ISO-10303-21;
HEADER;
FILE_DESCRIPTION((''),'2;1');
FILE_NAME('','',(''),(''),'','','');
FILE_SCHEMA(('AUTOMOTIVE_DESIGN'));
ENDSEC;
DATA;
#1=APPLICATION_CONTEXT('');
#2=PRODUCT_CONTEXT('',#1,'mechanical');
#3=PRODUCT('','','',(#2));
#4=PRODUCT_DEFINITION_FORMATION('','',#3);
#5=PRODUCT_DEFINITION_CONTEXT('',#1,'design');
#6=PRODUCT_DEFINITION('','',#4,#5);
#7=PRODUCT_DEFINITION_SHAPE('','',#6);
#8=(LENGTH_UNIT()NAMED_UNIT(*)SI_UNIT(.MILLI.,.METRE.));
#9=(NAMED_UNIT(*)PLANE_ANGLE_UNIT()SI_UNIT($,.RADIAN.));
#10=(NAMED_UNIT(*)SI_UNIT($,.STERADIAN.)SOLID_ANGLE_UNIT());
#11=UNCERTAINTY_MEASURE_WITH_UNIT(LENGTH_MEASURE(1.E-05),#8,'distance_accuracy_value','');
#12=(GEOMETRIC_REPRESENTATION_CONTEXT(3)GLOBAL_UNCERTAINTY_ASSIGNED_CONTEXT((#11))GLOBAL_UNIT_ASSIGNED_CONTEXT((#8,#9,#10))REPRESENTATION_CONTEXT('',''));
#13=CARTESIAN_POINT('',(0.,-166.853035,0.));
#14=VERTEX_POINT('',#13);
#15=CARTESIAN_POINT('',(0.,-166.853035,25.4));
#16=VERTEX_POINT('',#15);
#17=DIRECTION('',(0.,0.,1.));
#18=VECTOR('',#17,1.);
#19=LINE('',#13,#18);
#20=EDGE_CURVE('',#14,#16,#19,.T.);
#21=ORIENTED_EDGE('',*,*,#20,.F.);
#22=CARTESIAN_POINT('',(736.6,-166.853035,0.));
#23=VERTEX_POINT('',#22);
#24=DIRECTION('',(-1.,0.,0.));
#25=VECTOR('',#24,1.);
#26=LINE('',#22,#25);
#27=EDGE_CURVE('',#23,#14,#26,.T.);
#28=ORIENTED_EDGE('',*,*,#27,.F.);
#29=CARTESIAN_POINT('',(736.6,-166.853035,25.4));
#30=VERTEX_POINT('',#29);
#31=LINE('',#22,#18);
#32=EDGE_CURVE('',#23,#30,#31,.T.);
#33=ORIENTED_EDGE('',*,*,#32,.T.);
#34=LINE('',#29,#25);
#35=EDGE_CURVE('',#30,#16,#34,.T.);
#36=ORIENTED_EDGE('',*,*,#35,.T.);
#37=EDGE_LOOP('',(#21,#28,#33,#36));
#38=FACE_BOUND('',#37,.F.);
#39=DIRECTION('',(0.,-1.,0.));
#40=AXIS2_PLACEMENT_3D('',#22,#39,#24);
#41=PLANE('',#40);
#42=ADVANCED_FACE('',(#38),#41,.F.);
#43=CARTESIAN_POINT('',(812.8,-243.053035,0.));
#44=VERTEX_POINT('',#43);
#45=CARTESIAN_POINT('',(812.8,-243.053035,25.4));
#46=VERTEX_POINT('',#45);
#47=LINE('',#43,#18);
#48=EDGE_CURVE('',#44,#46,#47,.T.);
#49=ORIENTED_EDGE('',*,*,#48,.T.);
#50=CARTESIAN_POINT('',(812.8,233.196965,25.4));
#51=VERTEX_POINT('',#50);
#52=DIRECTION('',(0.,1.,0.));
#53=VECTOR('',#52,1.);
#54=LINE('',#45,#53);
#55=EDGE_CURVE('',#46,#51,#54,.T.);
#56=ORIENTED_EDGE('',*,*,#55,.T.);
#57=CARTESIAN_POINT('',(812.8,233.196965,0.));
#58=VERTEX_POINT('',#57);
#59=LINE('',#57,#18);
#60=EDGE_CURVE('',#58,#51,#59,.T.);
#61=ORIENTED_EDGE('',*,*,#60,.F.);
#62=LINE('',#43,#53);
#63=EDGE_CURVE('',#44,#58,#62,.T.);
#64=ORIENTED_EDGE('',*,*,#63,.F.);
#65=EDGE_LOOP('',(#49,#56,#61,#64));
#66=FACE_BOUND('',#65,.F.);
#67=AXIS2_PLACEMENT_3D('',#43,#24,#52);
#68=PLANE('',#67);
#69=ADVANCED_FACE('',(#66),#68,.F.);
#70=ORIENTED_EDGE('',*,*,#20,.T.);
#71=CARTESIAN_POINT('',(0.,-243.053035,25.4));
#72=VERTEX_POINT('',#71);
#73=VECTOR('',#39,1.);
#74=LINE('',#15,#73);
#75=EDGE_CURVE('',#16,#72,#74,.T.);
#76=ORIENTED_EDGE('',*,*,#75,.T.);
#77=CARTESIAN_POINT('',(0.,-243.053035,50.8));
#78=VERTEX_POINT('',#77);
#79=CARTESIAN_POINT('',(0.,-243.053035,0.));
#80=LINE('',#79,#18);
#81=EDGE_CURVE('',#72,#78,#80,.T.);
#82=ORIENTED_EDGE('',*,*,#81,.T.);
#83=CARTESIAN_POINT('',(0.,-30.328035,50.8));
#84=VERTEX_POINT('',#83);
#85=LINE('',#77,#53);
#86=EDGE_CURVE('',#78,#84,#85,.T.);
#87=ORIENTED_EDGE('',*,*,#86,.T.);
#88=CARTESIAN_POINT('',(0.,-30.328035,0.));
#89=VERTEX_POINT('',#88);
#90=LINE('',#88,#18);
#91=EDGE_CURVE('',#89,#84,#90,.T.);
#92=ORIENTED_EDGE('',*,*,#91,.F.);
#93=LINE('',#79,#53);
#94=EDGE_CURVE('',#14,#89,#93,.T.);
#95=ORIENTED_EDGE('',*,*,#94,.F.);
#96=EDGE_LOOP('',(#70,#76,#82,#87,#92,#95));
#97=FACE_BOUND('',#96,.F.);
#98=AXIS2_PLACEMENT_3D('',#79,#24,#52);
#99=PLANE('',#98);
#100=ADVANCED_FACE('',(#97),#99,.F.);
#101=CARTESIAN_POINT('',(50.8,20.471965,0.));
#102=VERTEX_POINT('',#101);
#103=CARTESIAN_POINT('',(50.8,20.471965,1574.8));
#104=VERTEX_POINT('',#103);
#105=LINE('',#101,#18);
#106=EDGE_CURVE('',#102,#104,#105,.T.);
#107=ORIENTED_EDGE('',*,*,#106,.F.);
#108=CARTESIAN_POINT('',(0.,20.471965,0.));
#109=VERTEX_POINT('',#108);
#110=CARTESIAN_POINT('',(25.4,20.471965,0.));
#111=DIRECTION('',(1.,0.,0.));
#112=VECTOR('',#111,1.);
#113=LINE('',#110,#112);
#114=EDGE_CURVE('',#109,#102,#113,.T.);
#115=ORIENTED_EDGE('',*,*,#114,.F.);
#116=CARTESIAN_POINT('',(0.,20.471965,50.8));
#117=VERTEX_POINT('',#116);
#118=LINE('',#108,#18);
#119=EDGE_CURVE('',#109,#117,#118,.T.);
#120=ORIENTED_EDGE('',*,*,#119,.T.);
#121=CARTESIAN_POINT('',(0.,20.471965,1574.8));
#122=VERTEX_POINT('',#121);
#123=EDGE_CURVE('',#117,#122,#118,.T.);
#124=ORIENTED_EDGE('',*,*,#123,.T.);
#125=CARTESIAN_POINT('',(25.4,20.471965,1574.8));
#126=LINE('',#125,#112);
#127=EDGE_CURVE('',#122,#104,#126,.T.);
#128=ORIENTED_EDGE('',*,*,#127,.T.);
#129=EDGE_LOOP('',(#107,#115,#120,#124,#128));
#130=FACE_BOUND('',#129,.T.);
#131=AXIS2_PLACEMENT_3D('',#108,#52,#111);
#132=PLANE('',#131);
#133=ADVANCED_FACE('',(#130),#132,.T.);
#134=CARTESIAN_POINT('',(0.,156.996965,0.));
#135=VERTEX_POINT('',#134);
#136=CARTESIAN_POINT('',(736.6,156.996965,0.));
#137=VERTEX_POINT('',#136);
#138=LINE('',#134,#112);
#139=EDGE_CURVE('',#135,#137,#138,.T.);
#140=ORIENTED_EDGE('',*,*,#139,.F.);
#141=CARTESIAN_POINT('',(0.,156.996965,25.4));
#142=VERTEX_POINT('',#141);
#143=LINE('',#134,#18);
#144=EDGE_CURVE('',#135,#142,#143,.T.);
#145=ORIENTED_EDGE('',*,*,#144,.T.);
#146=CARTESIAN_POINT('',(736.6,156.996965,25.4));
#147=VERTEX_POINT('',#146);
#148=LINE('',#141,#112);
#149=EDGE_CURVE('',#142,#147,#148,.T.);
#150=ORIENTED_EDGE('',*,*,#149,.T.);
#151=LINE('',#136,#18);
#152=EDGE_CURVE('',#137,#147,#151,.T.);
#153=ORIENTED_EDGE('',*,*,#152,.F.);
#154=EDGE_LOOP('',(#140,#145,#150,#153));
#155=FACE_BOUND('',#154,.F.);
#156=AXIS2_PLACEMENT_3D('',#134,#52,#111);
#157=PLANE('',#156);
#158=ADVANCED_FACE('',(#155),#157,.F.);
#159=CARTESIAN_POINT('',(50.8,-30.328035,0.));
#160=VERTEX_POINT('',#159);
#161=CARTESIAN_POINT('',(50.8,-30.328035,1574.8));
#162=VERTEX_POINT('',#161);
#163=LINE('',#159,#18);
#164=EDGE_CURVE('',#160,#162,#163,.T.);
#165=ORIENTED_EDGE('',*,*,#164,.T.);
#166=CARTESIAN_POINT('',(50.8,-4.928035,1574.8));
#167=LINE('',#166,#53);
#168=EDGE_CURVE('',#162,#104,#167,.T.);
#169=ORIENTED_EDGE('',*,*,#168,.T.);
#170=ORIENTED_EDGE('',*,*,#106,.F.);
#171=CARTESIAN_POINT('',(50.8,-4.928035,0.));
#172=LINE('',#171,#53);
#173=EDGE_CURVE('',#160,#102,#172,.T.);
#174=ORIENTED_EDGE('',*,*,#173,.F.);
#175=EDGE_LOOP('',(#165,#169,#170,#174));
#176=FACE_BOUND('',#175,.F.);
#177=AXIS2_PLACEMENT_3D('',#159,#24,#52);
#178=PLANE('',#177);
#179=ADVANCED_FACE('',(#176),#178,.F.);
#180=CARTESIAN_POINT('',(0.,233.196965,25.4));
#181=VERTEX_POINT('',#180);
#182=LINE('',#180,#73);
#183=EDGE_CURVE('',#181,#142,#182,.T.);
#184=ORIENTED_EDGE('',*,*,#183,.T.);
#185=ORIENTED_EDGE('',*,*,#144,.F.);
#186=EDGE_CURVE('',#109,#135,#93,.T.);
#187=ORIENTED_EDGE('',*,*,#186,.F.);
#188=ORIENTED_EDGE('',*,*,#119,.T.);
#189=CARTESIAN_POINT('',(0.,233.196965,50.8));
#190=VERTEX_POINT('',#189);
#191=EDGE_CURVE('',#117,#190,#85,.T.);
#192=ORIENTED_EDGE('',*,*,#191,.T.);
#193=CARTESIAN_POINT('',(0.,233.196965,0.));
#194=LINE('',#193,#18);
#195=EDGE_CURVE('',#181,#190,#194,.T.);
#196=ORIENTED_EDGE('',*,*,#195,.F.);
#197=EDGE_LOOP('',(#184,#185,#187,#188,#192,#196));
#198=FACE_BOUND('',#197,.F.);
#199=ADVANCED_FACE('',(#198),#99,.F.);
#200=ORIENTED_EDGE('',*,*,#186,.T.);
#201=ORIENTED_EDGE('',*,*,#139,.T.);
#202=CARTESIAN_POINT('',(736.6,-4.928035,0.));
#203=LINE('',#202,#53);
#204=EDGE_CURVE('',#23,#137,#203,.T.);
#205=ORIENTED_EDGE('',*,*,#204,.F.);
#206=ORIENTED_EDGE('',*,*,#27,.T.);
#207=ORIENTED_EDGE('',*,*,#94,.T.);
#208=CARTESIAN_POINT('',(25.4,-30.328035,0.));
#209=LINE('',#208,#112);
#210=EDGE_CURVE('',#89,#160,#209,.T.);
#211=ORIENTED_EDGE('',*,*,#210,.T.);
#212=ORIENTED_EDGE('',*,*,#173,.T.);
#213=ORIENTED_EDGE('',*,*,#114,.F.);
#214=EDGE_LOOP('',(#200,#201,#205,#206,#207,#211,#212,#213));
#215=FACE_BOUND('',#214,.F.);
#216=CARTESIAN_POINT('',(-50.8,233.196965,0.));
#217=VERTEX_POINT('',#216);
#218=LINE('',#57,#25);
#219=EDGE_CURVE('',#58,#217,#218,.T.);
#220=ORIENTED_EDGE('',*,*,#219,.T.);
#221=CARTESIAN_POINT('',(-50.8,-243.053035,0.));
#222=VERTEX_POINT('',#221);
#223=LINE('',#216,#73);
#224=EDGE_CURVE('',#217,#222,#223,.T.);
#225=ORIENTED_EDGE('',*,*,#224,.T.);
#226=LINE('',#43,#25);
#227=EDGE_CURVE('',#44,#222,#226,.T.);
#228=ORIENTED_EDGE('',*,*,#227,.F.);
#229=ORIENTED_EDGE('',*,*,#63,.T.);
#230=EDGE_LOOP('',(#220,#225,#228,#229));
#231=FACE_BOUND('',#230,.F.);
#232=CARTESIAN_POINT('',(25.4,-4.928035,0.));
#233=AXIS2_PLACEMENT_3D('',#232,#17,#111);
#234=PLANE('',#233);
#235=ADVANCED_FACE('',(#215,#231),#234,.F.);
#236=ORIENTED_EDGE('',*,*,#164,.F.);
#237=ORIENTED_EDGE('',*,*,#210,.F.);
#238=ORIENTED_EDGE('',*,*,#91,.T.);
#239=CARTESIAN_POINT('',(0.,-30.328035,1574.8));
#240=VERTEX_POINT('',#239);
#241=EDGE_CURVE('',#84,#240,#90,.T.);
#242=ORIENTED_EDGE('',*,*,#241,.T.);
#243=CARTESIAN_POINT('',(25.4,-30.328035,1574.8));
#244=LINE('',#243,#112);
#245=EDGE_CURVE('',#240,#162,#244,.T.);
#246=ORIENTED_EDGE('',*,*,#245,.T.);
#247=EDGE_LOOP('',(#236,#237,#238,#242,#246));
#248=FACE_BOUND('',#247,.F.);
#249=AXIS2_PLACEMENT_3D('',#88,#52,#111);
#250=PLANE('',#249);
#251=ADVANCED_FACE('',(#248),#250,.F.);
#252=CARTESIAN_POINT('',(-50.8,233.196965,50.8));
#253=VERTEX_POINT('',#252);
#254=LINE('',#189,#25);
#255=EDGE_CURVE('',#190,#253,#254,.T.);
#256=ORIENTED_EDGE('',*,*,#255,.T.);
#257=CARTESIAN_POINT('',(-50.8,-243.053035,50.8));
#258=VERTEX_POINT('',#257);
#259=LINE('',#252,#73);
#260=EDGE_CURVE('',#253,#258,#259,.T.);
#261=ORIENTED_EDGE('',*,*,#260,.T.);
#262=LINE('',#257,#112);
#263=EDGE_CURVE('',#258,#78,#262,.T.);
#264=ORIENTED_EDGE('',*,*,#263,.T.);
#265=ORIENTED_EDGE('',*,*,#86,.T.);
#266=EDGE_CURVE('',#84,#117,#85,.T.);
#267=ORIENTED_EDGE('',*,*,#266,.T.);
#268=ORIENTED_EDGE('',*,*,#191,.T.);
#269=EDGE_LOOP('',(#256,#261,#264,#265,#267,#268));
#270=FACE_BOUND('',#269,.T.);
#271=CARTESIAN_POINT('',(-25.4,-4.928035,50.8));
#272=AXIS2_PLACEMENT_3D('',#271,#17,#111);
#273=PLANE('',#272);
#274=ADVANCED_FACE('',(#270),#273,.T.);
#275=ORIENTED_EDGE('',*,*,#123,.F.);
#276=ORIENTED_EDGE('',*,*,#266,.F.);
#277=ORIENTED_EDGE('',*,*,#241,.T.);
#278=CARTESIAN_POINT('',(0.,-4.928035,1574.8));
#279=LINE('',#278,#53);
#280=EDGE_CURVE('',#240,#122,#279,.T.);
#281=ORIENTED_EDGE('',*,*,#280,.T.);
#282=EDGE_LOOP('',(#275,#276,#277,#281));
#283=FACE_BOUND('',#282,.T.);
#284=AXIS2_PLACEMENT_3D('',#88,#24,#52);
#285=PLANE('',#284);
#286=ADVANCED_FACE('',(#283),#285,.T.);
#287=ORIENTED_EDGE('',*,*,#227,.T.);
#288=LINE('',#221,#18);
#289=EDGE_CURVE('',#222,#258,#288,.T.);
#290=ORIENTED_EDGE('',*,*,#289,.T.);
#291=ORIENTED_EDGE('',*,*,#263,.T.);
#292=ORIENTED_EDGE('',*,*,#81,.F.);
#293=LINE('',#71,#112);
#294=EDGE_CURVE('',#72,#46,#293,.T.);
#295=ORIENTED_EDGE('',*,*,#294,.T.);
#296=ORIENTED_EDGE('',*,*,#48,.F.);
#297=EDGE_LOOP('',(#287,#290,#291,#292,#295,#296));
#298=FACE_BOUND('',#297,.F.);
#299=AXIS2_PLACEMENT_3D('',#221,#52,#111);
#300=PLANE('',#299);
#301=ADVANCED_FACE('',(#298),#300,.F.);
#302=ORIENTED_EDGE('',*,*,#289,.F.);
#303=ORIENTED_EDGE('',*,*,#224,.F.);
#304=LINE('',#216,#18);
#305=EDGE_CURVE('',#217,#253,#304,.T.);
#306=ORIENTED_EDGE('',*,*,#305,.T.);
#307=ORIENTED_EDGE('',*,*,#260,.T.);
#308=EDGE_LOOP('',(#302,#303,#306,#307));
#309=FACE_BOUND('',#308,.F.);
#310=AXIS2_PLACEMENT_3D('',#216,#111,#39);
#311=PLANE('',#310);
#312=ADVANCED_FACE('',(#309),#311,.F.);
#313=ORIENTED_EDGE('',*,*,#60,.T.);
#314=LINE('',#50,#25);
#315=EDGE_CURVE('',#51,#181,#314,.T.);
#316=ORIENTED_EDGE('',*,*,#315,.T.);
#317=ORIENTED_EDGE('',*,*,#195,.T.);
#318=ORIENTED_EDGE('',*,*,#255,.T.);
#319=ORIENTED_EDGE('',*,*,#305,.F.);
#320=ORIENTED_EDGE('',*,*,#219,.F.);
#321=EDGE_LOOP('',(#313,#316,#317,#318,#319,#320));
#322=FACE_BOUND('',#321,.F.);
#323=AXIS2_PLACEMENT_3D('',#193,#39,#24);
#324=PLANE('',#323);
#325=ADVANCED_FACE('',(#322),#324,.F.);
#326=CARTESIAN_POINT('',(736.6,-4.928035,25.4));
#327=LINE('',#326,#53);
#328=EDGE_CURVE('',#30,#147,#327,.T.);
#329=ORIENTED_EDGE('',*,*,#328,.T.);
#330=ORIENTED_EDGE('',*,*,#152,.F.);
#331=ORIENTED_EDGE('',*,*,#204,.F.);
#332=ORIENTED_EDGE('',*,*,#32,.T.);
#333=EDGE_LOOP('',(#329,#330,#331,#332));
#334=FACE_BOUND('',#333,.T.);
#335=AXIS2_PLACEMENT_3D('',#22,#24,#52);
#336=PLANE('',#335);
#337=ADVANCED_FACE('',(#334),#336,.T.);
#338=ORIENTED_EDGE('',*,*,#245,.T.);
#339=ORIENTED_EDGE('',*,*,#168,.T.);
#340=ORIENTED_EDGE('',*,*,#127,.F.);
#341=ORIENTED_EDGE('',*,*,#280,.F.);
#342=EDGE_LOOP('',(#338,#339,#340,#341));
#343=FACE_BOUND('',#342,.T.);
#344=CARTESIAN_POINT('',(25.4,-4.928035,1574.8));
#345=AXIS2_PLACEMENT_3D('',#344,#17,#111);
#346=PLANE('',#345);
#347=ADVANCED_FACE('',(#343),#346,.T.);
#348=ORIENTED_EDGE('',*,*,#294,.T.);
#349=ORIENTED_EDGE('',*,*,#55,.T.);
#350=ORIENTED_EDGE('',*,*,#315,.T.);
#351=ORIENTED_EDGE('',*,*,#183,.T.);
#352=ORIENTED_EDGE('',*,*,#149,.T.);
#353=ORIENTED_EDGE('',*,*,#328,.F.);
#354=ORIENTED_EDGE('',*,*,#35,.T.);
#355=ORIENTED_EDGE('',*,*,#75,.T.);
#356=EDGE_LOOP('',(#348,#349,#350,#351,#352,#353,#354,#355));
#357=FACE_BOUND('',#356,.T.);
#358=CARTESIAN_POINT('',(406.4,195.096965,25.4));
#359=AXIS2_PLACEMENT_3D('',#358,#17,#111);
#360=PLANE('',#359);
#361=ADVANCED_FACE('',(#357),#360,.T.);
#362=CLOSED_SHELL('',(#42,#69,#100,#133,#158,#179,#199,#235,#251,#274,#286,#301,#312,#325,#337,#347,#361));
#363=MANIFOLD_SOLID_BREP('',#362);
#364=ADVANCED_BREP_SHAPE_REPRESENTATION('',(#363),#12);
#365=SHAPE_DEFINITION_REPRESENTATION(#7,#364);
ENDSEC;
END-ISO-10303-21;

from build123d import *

# Parameters (mm, degrees)
F0_W     = 76.2
F0_H     = 323.85
F1_DEPTH = 25.4
F2_DEPTH = 50.8
F0_W_2   = 50.8
F0_H_2   = 50.8
F3_DEPTH = 1574.8


with BuildPart() as f1:
    # F0 (on Top) → F1 (new body)
    with BuildSketch(Plane.XY):
        Polygon((0, 233.196965), (0, 156.996965), (736.6, 156.996965), (812.8, 156.996965), (812.8, 233.196965), align=None)
        with Locations((774.7, -4.928035)):
            Rectangle(F0_W, F0_H)
        Polygon((812.8, -166.853035), (736.6, -166.853035), (0, -166.853035), (0, -243.053035), (812.8, -243.053035), align=None)
    extrude(amount=F1_DEPTH)

    # F0 (on Top) → F2 (join)
    with BuildSketch(Plane.XY):
        Polygon((0, 20.471965), (0, 156.996965), (0, 233.196965), (-50.8, 233.196965), (-50.8, -243.053035), (0, -243.053035), (0, -166.853035), (0, -30.328035), align=None)
    extrude(amount=F2_DEPTH)

    # F0 (on Top) → F3 (join)
    with BuildSketch(Plane.XY):
        with Locations((25.4, -4.928035)):
            Rectangle(F0_W_2, F0_H_2)
    extrude(amount=F3_DEPTH)


solid = f1.part
